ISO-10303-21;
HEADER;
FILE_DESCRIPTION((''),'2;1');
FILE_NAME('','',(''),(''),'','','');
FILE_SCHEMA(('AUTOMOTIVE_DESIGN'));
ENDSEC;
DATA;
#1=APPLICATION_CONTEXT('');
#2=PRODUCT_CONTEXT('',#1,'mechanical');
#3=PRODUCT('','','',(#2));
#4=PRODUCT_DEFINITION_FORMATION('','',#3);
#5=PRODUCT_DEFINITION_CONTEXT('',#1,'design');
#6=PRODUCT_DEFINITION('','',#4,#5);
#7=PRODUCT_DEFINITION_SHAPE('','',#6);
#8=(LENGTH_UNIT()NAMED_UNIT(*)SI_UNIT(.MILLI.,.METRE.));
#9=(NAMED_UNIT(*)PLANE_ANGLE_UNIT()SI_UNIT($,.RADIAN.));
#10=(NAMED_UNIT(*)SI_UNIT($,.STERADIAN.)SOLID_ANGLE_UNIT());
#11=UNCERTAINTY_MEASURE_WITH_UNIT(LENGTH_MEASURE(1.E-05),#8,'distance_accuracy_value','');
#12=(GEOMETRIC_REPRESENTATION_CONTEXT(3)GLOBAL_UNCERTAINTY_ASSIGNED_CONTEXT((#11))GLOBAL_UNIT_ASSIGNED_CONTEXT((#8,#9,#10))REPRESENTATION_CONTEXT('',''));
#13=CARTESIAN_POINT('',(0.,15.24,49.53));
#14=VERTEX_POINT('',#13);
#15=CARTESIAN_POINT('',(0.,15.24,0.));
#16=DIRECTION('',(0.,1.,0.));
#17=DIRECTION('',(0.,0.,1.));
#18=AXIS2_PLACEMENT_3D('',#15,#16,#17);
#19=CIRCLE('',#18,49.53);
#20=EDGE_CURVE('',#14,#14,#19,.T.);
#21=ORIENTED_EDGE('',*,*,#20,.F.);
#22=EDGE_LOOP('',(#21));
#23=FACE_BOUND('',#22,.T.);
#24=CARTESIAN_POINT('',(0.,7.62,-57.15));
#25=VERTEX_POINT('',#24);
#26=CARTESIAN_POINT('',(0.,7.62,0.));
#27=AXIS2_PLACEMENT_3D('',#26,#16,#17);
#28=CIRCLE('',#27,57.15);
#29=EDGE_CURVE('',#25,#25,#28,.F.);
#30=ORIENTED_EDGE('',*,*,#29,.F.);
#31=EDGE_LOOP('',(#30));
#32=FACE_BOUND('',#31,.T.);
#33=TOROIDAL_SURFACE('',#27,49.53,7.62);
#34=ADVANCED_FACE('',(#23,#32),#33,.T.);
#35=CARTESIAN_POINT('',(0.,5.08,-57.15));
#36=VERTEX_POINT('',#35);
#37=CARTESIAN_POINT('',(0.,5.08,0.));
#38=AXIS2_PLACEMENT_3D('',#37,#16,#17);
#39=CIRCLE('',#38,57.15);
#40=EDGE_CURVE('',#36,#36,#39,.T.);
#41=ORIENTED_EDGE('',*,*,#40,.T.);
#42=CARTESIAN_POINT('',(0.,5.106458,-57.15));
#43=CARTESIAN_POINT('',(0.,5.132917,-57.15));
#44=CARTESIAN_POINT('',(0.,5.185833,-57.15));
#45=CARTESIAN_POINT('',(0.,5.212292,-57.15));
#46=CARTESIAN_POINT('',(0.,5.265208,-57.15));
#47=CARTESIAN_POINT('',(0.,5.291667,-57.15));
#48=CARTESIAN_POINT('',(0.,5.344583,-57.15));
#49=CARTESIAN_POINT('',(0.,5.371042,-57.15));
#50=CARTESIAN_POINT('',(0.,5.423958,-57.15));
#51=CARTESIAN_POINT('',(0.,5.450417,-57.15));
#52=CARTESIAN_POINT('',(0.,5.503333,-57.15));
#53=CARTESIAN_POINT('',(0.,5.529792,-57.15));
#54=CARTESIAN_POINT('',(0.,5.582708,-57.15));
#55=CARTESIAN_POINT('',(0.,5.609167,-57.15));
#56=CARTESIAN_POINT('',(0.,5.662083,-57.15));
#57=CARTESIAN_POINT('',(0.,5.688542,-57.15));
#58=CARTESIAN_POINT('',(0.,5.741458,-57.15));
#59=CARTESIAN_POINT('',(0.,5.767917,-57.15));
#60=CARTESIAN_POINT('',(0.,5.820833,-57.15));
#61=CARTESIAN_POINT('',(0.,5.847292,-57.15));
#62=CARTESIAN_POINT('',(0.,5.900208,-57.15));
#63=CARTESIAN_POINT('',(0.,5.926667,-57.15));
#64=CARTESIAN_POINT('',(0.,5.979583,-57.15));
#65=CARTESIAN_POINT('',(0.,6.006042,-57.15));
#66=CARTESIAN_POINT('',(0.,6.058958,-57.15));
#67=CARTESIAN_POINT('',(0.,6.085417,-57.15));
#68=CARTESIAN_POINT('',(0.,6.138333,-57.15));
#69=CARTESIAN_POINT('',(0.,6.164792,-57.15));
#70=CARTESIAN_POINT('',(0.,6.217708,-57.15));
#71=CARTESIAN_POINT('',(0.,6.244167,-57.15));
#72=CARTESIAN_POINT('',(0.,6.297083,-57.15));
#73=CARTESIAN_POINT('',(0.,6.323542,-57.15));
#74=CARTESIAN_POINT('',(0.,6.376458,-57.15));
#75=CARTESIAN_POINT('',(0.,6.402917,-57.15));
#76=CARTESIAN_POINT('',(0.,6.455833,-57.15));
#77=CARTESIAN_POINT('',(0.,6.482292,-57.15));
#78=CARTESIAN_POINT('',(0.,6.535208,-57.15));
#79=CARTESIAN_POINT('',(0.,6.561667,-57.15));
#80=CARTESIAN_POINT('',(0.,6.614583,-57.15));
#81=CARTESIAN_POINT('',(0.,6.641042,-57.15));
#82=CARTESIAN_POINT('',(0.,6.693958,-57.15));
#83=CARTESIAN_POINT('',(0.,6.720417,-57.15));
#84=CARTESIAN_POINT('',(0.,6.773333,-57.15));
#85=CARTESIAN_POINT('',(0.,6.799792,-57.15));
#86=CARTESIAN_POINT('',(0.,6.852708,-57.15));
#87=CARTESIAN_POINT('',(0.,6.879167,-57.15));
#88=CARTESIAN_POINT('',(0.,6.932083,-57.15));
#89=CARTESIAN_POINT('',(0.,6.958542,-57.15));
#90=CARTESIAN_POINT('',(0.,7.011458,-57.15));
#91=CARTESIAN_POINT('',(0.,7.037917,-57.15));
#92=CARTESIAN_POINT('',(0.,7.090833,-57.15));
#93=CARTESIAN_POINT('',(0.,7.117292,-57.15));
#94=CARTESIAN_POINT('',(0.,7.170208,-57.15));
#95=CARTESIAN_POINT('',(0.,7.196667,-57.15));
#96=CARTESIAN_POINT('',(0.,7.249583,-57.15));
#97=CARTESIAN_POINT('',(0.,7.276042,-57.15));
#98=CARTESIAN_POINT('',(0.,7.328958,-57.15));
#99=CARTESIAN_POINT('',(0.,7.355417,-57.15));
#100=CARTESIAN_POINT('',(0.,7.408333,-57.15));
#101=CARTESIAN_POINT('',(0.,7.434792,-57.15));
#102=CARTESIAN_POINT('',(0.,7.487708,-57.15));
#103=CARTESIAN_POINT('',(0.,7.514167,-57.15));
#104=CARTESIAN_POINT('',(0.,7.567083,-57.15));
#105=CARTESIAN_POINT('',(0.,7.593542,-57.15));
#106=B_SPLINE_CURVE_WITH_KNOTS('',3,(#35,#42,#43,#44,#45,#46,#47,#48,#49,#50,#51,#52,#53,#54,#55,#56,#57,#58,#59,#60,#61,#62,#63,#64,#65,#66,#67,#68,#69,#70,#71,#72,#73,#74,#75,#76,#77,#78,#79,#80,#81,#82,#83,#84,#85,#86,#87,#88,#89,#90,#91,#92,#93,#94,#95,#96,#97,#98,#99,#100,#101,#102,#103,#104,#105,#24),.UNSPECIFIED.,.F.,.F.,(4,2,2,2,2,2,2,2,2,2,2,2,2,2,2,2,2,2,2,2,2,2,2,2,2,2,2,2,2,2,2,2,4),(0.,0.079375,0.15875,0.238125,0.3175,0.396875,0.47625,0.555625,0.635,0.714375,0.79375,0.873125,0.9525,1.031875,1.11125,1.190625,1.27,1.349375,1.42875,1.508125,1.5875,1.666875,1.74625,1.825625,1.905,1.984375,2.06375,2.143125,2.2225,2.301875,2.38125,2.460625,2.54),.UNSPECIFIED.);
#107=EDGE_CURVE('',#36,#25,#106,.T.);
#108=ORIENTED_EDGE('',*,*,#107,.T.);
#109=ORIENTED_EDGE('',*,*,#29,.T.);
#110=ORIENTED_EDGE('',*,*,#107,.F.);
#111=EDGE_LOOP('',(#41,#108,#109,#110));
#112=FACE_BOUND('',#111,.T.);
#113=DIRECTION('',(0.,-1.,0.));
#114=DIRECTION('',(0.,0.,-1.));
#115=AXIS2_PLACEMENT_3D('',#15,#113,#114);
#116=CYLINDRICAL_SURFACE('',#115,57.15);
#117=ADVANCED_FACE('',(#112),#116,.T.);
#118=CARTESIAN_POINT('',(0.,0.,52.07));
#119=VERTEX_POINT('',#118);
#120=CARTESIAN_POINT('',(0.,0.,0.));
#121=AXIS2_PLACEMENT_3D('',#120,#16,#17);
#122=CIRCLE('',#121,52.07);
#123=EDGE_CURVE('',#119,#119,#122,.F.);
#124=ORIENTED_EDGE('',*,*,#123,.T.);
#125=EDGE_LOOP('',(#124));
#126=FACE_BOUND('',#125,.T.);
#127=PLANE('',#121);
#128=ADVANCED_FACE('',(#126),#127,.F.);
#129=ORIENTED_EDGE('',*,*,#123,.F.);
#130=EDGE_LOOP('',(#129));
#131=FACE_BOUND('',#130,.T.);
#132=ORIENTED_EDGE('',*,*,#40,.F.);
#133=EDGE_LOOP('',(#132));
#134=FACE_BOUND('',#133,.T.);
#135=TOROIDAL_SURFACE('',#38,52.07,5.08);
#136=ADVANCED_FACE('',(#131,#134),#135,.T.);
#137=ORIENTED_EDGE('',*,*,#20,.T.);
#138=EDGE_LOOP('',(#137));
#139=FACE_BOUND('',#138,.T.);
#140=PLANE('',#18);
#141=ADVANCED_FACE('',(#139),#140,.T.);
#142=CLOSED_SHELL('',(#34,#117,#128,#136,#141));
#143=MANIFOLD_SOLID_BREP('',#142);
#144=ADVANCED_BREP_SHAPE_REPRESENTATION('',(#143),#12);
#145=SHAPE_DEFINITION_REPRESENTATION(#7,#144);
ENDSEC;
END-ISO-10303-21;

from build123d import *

# Parameters (mm, degrees)
SKETCH2_R           = 57.15
BOSS_EXTRUDE1_DEPTH = 15.24
FILLET1_R           = 7.62
FILLET2_R           = 5.08


with BuildPart() as part:
    # Sketch2 → Boss-Extrude1 (new body)
    with BuildSketch(Plane(origin=(0, 0, 0), x_dir=(1, 0, 0), z_dir=(0, 1, 0))):
        with Locations(Location((0, 0, 0), (0, 0, 90))):
            Circle(SKETCH2_R)
    extrude(amount=BOSS_EXTRUDE1_DEPTH)

    # Fillet1
    fillet1_edges = [part.edges().sort_by_distance(p)[0] for p in [
        (0, 15.24, 57.15),
    ]]
    fillet(fillet1_edges, radius=FILLET1_R)

    # Fillet2
    fillet2_edges = [part.edges().sort_by_distance(p)[0] for p in [
        (0, 0, 57.15),
    ]]
    fillet(fillet2_edges, radius=FILLET2_R)


solid = part.part
